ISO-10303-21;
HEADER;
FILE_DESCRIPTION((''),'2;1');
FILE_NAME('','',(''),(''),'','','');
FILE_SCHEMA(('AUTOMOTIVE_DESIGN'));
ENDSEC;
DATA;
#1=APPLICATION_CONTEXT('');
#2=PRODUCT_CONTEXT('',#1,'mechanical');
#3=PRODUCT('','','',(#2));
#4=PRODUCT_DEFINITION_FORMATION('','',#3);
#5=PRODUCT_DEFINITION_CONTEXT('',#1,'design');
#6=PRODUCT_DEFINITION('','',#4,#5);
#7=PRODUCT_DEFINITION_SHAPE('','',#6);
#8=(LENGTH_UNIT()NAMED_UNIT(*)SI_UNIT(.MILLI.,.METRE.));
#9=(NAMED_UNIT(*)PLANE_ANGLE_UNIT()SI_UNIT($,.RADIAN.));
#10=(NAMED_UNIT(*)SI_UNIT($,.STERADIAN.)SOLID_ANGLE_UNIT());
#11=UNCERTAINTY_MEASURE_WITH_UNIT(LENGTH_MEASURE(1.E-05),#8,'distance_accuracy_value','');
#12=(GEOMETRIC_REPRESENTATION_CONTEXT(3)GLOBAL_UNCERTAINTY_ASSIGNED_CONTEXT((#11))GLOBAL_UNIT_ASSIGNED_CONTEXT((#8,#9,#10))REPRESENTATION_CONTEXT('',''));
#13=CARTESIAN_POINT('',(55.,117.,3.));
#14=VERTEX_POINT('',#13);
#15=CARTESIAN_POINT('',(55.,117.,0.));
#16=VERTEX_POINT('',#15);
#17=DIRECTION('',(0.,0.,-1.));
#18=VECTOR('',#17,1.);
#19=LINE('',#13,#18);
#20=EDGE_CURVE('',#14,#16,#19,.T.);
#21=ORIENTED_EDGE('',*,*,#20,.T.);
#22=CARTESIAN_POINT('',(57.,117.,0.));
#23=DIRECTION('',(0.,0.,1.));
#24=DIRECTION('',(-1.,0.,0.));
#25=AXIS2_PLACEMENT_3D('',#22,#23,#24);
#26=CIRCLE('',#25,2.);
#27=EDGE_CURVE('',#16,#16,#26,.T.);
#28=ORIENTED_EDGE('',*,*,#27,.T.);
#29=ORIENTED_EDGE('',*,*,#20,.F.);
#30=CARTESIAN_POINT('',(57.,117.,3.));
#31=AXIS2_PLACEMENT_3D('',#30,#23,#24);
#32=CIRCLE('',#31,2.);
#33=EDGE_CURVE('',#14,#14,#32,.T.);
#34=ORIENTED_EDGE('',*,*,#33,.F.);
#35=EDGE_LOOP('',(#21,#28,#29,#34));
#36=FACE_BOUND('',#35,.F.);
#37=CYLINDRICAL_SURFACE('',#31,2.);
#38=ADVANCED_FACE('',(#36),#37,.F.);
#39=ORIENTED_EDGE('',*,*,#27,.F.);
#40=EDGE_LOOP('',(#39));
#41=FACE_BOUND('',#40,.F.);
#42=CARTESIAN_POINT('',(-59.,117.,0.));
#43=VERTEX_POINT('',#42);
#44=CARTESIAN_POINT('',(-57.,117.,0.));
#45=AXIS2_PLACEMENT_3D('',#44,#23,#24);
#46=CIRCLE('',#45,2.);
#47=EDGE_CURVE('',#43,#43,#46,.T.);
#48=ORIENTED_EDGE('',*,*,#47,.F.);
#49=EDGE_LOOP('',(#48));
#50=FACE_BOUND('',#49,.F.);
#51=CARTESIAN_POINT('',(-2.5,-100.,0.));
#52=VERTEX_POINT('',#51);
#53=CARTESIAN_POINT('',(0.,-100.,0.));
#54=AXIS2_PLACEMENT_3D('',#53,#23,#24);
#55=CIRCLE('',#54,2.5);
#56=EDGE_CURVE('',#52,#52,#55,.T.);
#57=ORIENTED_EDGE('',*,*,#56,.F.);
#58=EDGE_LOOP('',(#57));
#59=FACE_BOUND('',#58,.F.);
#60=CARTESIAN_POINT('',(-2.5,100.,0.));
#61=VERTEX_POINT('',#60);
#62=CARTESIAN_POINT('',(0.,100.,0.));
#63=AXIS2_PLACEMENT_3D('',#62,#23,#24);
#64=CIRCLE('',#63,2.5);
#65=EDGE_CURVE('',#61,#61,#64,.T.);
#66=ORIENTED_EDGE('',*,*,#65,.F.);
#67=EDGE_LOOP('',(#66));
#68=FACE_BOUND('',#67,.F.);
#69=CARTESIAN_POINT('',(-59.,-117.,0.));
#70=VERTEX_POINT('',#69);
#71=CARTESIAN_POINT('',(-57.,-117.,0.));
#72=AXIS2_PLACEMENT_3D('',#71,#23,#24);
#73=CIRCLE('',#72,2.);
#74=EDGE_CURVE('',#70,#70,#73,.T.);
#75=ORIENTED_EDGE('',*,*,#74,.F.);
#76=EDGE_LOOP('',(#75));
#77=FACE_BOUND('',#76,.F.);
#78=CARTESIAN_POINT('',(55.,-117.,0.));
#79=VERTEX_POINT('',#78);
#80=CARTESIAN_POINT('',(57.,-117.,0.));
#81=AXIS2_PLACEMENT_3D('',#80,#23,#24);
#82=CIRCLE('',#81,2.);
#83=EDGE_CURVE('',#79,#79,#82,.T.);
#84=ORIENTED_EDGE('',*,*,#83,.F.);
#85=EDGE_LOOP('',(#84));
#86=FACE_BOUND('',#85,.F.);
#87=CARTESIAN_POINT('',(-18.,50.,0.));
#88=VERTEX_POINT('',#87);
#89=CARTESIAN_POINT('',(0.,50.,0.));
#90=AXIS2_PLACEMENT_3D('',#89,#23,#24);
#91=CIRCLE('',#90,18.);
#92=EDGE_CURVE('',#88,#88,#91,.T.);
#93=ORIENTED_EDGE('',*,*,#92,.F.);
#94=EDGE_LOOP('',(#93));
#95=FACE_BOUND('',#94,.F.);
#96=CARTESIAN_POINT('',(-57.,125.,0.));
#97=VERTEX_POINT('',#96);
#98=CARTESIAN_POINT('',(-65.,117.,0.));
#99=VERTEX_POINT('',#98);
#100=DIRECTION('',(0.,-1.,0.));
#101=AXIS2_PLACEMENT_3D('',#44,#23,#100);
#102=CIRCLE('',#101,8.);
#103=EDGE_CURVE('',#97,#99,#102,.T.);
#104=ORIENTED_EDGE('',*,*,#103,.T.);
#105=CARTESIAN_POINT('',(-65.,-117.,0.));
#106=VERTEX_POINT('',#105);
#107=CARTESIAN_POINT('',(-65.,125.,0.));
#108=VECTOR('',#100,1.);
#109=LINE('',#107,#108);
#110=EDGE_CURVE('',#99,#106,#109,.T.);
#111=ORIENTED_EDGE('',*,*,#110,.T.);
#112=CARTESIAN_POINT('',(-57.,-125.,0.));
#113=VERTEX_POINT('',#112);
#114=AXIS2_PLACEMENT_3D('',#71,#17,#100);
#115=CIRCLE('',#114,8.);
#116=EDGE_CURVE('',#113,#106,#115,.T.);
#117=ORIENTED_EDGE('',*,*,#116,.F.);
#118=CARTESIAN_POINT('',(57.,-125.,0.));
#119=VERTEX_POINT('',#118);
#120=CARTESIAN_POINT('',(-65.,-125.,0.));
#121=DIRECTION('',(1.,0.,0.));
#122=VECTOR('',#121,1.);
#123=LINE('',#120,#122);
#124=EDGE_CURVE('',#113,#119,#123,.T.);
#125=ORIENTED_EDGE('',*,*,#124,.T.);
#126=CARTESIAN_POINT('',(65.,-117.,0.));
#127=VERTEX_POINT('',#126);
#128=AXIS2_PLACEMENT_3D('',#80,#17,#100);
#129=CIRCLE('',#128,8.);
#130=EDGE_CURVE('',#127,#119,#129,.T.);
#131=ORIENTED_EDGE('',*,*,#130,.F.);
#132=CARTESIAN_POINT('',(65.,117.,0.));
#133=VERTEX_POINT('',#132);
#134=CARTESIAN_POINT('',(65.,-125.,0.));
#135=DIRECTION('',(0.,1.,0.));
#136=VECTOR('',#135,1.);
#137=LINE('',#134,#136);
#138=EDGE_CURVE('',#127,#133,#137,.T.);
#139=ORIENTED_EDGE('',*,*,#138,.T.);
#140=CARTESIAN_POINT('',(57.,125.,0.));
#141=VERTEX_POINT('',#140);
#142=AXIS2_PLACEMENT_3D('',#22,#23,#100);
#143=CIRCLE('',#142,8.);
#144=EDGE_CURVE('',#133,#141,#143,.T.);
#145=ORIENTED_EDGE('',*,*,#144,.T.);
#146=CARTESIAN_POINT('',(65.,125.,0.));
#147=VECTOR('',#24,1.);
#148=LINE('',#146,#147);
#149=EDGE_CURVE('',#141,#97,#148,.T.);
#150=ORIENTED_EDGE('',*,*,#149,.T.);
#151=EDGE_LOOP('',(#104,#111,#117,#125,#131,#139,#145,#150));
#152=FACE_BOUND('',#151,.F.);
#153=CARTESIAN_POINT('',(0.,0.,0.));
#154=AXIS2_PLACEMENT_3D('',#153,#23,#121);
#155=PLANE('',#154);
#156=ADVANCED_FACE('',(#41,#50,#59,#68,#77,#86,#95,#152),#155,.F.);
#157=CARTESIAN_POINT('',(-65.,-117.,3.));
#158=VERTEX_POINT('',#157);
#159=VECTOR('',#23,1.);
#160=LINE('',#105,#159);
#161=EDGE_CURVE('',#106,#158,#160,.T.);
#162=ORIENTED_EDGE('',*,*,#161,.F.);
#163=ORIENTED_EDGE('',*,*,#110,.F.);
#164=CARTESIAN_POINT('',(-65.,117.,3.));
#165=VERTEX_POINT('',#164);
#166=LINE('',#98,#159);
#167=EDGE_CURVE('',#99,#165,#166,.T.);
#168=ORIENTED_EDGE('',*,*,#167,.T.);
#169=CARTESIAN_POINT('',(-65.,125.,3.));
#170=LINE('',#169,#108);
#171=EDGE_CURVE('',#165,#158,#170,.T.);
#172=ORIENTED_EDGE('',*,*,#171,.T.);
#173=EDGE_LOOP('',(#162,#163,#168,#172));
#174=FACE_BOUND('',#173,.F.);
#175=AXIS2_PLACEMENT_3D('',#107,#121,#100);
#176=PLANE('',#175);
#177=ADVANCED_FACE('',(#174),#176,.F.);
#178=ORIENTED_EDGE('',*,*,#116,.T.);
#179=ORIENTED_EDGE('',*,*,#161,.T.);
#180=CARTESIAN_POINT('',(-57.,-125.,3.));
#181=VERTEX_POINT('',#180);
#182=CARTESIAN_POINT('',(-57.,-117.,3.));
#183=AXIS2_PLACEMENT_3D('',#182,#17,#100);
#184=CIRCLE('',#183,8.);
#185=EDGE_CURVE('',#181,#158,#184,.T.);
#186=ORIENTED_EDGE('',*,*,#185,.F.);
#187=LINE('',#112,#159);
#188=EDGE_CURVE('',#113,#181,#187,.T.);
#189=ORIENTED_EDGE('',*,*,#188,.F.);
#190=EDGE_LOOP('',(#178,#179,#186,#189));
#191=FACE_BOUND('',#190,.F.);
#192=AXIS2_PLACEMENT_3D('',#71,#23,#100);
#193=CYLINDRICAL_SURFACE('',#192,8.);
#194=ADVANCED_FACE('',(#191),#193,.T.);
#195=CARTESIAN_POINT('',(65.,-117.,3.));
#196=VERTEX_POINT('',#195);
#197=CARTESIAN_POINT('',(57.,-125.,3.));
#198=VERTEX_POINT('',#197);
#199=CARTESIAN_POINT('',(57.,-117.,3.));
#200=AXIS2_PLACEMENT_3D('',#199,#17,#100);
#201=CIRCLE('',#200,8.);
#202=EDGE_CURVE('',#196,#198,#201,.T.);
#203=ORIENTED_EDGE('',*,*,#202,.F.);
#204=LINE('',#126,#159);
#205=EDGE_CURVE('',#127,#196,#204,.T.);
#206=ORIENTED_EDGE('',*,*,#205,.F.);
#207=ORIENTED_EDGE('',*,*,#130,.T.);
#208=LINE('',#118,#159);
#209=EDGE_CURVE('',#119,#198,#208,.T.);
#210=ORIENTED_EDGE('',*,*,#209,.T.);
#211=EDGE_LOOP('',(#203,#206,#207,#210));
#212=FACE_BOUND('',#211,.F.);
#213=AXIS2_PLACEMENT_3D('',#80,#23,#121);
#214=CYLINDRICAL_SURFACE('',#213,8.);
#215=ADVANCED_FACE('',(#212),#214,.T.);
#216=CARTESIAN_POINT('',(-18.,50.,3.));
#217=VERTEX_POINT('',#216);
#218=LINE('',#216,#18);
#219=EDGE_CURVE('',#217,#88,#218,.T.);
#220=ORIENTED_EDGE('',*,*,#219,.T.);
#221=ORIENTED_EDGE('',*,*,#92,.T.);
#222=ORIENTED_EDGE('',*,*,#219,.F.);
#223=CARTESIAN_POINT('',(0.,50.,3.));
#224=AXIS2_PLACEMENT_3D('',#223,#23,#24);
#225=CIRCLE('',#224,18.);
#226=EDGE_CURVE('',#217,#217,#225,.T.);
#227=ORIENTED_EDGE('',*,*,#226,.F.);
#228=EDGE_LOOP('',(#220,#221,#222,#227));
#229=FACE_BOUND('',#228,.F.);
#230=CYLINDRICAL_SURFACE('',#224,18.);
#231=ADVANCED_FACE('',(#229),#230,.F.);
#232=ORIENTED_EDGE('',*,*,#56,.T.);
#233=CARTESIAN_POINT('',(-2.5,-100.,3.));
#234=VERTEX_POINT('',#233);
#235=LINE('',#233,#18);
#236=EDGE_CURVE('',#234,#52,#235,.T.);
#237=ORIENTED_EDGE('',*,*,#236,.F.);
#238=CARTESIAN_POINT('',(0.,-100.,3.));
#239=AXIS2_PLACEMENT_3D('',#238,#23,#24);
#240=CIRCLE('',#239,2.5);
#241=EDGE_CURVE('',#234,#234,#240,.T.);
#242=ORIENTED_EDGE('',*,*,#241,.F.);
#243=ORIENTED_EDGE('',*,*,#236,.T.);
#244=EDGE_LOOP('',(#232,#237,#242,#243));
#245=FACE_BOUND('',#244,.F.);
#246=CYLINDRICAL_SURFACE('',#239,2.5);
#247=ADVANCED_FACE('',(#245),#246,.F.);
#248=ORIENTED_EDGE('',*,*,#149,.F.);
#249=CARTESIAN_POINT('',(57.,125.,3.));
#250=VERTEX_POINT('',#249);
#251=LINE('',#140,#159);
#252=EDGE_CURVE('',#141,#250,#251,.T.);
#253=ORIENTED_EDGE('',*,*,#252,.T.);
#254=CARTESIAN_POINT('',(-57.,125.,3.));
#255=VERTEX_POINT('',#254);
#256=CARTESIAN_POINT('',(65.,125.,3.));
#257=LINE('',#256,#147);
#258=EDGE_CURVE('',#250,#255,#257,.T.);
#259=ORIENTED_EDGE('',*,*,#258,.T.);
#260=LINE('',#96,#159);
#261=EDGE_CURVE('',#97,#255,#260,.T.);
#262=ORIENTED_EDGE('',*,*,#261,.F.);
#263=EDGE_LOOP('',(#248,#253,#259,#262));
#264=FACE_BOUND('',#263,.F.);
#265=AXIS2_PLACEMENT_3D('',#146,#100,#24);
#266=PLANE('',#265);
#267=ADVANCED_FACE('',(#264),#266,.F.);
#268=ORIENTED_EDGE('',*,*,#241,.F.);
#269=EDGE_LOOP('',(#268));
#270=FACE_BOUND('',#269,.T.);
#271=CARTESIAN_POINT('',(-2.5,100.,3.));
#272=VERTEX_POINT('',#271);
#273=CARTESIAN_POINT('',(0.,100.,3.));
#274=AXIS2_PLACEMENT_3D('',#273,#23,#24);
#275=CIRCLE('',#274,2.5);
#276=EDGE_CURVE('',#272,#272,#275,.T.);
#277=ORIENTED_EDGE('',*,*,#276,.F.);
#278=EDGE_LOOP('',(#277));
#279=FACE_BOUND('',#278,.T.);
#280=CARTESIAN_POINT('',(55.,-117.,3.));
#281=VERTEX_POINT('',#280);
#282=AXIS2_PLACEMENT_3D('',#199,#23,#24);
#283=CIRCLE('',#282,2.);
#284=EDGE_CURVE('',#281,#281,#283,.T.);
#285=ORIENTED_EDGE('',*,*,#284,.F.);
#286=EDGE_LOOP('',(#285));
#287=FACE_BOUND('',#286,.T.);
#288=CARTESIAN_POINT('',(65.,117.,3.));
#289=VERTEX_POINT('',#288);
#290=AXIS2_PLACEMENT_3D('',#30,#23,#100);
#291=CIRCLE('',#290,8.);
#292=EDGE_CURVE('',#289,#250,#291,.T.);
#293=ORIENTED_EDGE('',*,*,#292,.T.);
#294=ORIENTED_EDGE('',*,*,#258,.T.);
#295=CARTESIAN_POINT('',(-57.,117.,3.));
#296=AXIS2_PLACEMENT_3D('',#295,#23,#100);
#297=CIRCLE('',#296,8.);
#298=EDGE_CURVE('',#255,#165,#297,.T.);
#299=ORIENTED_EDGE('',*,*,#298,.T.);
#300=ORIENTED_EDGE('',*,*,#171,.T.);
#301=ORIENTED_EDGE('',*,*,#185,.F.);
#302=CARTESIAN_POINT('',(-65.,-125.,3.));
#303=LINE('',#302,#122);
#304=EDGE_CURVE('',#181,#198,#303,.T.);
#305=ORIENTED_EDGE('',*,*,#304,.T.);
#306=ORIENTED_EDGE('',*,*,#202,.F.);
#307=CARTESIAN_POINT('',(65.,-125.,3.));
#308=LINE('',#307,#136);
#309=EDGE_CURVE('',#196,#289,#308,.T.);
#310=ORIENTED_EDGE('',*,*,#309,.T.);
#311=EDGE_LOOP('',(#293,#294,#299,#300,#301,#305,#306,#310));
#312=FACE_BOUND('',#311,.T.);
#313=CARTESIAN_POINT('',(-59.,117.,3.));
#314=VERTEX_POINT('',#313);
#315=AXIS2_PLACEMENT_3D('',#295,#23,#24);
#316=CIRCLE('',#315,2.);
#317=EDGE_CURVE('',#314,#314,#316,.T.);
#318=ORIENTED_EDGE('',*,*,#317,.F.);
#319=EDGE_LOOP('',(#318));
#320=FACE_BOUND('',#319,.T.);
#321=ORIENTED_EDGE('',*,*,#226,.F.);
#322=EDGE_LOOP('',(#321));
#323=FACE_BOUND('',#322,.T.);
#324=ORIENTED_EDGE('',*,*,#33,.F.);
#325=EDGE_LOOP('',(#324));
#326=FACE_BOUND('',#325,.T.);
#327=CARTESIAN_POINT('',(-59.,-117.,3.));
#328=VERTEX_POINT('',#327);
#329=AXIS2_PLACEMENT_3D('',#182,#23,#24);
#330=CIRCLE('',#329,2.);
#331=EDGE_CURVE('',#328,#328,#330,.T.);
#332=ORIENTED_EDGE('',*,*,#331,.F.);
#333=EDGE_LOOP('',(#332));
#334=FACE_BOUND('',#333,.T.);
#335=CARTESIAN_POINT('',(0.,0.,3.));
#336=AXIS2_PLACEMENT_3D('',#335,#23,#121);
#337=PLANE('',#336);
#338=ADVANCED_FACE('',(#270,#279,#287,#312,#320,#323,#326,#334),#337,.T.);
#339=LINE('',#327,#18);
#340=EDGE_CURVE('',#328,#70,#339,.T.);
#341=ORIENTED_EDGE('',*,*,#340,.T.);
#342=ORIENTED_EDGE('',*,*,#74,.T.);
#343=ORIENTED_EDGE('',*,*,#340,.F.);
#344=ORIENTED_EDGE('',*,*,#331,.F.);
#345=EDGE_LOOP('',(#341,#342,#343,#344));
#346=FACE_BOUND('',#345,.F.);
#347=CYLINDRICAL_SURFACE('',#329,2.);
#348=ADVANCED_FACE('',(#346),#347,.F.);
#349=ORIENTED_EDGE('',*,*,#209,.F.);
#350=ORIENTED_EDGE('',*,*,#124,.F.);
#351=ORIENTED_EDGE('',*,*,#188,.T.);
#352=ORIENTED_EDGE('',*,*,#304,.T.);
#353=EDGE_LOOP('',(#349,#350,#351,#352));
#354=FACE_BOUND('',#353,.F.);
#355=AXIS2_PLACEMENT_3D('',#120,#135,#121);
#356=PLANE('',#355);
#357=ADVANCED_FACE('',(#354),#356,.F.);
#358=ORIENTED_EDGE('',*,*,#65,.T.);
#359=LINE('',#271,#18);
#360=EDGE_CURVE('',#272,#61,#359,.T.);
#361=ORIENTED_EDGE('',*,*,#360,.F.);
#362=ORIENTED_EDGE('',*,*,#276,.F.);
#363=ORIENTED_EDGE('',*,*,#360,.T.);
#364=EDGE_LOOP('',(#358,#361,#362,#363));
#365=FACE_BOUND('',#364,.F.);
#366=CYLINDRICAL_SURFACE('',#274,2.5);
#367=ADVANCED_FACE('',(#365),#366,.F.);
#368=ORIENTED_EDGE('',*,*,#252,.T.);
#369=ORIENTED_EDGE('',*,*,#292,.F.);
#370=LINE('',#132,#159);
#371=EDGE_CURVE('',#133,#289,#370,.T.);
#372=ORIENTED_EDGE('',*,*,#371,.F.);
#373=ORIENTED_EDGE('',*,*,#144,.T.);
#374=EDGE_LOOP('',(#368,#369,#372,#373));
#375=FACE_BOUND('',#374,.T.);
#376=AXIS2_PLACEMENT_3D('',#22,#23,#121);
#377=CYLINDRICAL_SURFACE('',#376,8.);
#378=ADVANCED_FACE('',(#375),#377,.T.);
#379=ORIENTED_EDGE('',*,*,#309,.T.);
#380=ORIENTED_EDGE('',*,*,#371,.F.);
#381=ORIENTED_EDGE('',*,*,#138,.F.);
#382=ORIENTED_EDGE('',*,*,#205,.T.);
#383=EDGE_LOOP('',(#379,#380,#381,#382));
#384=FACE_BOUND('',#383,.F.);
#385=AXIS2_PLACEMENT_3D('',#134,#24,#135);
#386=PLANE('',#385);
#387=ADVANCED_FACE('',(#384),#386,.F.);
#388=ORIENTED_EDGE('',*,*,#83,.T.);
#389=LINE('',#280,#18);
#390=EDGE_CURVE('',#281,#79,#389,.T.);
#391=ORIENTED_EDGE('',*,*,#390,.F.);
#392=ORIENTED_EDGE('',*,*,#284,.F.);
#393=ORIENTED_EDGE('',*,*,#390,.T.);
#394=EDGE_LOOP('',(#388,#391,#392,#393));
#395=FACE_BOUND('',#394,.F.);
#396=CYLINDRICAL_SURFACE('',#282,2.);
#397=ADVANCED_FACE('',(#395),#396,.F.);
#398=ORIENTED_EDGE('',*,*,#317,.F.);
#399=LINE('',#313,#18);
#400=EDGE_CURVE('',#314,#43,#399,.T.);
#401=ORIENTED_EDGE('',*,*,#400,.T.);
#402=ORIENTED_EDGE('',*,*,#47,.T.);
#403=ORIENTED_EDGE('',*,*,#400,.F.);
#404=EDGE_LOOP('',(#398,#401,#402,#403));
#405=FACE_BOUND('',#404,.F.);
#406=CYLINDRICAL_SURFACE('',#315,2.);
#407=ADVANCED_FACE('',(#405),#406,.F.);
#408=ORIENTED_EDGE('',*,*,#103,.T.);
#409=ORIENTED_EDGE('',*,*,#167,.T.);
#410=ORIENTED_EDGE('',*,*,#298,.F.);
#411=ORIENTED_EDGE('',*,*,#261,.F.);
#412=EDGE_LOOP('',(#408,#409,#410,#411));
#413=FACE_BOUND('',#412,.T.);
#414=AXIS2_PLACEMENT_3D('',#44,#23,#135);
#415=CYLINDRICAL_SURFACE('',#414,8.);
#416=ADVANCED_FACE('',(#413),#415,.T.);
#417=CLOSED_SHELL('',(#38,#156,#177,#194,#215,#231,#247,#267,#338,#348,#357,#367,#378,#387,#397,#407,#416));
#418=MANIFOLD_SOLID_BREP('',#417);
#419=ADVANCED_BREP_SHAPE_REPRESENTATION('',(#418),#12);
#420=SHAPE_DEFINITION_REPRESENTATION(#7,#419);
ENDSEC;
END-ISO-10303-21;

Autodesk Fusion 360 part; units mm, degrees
sketch "Sketch1" plane through (0, 0, 0) normal (0, 0, 1) x (1, 0, 0)
  line L0 (65, 125) -> (-65, 125)
  line L1 (-65, 125) -> (-65, -125)
  line L2 (-65, -125) -> (65, -125)
  line L3 (65, -125) -> (65, 125)
  line L4 (65, 125) -> (-65, -125) construction
  line L5 (-65, 125) -> (65, -125) construction
  dimension "d1" = 130
  dimension "d2" = 250
extrude "Extrude1" add sketch "Sketch1" along normal blind 3
sketch "Sketch2" plane through (0, 0, 3) normal (0, 0, 1) x (-1, 0, 0)
  line L0 (-65, 125) -> (-65, -125)
  line L1 (-65, -125) -> (65, -125)
  line L2 (65, -125) -> (65, 125)
  line L3 (65, 125) -> (-65, 125)
  circle A0 centre (0, -50) radius 18
  circle A1 centre (0, -100) radius 2.5
  circle A2 centre (0, 100) radius 2.5
  dimension "d7" = 5
  dimension "d8" = 5
extrude "Extrude2" cut sketch "Sketch2" against normal blind 3 contours A0 | A1 | A2
fillet "Fillet1" radius 8 4 edges at (65, -125, 1.5) (-65, -125, 1.5) (-65, 125, 1.5) (65, 125, 1.5)
sketch "Sketch3" plane through (0, 0, 3) normal (0, 0, 1) x (-1, 0, 0)
  circle A0 centre (0, 100) radius 2.5
  circle A1 centre (0, -50) radius 18
  circle A2 centre (0, -100) radius 2.5
  arc A3 (-65, -117) -> (-57, -125) centre (-57, -117) ccw
  line L0 (-57, -125) -> (57, -125)
  arc A4 (57, -125) -> (65, -117) centre (57, -117) ccw
  line L1 (65, -117) -> (65, 117)
  arc A5 (65, 117) -> (57, 125) centre (57, 117) ccw
  line L2 (57, 125) -> (-57, 125)
  arc A6 (-57, 125) -> (-65, 117) centre (-57, 117) ccw
  line L3 (-65, 117) -> (-65, -117)
  circle A7 centre (-57, 117) radius 2
  circle A8 centre (57, 117) radius 2
  circle A9 centre (57, -117) radius 2
  circle A10 centre (-57, -117) radius 2
  dimension "d13" = 4
  dimension "d14" = 4
  dimension "d15" = 4
  dimension "d16" = 4
extrude "Extrude3" cut sketch "Sketch3" against normal blind 3 contours A7 | A8 | A9 | A10
